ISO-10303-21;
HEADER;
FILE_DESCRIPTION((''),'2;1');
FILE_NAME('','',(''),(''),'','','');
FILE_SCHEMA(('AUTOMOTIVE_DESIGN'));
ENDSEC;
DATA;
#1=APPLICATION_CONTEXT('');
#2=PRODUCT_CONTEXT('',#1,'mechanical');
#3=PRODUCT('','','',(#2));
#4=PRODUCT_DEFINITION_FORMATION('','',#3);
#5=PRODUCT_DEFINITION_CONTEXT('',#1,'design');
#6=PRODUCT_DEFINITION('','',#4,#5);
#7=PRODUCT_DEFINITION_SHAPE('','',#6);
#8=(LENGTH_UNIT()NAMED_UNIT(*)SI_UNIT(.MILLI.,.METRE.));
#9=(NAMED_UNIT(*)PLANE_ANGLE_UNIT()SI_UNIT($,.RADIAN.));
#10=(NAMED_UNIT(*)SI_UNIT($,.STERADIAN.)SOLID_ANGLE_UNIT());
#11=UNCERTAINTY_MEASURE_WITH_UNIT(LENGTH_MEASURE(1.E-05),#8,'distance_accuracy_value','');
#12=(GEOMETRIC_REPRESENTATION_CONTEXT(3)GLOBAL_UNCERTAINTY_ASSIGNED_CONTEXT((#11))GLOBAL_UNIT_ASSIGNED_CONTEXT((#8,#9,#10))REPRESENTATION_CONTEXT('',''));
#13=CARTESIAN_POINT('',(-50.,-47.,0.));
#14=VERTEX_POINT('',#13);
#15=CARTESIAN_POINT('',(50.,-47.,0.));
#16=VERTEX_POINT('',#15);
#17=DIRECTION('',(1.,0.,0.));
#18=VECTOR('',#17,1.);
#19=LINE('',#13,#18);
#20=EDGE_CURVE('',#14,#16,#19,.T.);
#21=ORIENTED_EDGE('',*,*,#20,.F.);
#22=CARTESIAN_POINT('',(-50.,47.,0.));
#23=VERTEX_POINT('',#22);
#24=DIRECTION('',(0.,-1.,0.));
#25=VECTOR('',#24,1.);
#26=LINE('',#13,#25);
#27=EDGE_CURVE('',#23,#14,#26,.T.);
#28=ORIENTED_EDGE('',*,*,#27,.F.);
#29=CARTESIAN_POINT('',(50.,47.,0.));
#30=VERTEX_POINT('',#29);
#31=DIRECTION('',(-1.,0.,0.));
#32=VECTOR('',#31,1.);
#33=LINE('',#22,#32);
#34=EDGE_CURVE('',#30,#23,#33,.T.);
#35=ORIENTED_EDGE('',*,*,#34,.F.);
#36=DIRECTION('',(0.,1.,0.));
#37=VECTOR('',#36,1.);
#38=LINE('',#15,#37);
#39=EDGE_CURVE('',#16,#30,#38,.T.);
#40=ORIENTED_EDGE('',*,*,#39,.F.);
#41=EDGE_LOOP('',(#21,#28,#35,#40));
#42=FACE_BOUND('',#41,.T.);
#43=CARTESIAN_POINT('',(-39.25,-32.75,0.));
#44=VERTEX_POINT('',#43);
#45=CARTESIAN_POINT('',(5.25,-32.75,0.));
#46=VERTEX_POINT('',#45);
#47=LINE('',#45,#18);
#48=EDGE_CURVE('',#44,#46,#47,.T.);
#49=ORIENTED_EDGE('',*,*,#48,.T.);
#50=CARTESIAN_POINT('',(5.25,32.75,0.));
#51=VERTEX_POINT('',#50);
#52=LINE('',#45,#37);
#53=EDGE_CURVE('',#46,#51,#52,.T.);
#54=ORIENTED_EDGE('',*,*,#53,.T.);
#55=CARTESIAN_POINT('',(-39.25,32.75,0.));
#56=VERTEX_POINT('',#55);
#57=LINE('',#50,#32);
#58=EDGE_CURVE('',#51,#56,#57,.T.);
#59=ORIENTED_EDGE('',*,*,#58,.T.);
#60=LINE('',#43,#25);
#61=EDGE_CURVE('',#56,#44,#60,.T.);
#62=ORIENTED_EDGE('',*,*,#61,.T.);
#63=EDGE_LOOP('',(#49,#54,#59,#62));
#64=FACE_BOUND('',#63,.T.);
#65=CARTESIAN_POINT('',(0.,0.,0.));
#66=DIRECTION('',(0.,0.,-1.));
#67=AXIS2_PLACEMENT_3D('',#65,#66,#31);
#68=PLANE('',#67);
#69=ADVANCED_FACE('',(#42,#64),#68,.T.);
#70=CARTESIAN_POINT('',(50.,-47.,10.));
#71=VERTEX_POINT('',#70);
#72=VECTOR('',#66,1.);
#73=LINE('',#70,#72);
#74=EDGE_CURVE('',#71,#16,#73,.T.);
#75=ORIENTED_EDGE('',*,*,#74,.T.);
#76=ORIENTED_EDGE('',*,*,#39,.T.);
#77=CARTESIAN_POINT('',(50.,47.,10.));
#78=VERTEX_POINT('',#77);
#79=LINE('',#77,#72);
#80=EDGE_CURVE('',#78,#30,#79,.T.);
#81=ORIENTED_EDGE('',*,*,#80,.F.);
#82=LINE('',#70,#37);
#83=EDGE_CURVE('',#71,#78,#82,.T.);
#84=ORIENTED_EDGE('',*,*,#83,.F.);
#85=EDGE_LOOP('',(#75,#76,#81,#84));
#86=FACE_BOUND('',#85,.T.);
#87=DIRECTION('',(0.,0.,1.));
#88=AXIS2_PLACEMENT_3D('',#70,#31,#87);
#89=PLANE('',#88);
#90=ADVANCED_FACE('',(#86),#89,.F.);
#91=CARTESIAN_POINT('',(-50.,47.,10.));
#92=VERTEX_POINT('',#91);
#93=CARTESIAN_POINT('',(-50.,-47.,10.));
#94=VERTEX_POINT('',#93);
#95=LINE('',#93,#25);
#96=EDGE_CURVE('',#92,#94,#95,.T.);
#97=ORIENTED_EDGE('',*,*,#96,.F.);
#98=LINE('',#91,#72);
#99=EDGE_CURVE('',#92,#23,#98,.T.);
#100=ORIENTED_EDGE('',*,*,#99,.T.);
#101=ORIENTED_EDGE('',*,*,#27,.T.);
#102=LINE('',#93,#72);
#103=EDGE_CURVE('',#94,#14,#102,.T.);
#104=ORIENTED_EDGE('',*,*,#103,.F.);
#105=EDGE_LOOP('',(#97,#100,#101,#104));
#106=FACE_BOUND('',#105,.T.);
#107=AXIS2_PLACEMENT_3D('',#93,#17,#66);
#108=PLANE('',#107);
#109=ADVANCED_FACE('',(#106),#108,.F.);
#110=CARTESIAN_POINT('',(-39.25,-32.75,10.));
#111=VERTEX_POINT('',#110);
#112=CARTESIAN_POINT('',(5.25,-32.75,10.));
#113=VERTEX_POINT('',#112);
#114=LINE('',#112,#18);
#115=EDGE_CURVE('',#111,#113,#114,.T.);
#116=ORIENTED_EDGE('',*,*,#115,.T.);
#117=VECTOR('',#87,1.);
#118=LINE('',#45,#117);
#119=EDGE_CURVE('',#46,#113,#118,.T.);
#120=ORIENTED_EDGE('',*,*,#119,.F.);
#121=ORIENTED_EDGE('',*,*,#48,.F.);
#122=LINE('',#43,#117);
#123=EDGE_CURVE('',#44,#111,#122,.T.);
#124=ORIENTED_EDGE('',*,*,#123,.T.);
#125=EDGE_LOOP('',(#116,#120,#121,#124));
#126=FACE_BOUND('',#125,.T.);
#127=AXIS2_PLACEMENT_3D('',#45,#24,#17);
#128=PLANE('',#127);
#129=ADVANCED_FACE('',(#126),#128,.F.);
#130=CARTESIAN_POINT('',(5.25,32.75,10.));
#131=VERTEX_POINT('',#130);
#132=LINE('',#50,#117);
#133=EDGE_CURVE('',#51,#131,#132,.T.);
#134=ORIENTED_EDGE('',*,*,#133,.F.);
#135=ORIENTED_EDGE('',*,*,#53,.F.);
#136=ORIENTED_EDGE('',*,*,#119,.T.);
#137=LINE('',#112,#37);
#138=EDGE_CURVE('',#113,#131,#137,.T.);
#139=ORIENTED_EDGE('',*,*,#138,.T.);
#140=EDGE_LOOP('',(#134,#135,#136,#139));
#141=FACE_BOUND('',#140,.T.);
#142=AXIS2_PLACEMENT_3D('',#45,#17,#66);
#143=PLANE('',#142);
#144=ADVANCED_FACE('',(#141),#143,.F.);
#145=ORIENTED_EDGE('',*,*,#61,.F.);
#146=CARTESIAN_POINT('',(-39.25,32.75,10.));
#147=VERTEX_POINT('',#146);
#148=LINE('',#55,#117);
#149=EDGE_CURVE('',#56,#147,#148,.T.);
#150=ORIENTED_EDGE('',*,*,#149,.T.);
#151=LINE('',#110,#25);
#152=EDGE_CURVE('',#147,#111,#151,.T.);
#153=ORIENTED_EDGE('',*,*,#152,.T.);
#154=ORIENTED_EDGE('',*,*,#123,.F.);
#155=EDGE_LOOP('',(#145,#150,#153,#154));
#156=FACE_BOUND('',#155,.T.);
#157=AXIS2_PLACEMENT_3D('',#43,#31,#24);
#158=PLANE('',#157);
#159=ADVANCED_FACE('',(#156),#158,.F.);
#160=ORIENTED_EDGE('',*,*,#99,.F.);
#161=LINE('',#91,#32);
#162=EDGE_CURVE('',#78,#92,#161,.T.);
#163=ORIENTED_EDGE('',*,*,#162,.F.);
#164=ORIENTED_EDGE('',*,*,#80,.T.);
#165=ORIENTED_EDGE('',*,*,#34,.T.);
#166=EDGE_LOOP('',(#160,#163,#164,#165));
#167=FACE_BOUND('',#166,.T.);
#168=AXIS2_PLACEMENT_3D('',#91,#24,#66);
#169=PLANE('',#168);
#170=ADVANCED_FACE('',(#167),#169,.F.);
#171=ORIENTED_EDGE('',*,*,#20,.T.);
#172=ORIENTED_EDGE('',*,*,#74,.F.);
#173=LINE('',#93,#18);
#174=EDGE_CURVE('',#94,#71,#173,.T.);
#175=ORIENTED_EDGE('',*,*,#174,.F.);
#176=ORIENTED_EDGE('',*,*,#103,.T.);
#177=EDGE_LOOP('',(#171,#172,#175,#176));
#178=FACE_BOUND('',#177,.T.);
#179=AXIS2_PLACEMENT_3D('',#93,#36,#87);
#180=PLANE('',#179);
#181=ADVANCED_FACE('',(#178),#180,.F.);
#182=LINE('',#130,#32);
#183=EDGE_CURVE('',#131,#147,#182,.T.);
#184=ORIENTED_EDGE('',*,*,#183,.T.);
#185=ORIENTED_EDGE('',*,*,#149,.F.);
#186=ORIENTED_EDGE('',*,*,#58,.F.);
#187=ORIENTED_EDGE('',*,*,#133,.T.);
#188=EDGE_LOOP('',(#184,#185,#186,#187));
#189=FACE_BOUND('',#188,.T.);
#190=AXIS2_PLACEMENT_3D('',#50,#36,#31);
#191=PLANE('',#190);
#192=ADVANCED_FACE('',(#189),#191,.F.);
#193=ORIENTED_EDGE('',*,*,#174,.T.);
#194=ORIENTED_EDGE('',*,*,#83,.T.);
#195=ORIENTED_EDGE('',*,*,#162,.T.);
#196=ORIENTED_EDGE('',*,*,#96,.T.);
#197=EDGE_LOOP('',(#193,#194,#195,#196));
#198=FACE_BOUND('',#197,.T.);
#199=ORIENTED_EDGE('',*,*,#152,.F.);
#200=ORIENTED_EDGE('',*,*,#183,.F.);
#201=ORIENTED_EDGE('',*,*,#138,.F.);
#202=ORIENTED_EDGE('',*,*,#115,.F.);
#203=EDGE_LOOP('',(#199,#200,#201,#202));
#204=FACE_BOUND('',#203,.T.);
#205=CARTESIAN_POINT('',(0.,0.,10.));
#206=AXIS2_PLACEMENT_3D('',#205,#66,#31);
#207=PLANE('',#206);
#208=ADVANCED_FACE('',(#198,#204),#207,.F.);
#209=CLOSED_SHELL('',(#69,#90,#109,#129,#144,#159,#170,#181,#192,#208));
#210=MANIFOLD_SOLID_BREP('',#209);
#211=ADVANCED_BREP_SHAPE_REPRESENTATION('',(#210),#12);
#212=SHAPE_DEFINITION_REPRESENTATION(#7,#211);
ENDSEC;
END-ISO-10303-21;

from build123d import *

# Parameters (mm, degrees)
SKETCH1_W           = 100
SKETCH1_H           = 94
BOSS_EXTRUDE1_DEPTH = 10
SKETCH2_W           = 44.5
SKETCH2_H           = 65.5
CUT_EXTRUDE1_DEPTH  = 10


with BuildPart() as part:
    # Sketch1 → Boss-Extrude1 (new body)
    with BuildSketch(Plane.XY):
        Rectangle(SKETCH1_W, SKETCH1_H)
    extrude(amount=BOSS_EXTRUDE1_DEPTH)

    # Sketch2 → Cut-Extrude1 (cut)
    with BuildSketch(Plane.XY.offset(10)):
        with Locations((-17, 0)):
            Rectangle(SKETCH2_W, SKETCH2_H)
    extrude(amount=-CUT_EXTRUDE1_DEPTH, mode=Mode.SUBTRACT)


solid = part.part
